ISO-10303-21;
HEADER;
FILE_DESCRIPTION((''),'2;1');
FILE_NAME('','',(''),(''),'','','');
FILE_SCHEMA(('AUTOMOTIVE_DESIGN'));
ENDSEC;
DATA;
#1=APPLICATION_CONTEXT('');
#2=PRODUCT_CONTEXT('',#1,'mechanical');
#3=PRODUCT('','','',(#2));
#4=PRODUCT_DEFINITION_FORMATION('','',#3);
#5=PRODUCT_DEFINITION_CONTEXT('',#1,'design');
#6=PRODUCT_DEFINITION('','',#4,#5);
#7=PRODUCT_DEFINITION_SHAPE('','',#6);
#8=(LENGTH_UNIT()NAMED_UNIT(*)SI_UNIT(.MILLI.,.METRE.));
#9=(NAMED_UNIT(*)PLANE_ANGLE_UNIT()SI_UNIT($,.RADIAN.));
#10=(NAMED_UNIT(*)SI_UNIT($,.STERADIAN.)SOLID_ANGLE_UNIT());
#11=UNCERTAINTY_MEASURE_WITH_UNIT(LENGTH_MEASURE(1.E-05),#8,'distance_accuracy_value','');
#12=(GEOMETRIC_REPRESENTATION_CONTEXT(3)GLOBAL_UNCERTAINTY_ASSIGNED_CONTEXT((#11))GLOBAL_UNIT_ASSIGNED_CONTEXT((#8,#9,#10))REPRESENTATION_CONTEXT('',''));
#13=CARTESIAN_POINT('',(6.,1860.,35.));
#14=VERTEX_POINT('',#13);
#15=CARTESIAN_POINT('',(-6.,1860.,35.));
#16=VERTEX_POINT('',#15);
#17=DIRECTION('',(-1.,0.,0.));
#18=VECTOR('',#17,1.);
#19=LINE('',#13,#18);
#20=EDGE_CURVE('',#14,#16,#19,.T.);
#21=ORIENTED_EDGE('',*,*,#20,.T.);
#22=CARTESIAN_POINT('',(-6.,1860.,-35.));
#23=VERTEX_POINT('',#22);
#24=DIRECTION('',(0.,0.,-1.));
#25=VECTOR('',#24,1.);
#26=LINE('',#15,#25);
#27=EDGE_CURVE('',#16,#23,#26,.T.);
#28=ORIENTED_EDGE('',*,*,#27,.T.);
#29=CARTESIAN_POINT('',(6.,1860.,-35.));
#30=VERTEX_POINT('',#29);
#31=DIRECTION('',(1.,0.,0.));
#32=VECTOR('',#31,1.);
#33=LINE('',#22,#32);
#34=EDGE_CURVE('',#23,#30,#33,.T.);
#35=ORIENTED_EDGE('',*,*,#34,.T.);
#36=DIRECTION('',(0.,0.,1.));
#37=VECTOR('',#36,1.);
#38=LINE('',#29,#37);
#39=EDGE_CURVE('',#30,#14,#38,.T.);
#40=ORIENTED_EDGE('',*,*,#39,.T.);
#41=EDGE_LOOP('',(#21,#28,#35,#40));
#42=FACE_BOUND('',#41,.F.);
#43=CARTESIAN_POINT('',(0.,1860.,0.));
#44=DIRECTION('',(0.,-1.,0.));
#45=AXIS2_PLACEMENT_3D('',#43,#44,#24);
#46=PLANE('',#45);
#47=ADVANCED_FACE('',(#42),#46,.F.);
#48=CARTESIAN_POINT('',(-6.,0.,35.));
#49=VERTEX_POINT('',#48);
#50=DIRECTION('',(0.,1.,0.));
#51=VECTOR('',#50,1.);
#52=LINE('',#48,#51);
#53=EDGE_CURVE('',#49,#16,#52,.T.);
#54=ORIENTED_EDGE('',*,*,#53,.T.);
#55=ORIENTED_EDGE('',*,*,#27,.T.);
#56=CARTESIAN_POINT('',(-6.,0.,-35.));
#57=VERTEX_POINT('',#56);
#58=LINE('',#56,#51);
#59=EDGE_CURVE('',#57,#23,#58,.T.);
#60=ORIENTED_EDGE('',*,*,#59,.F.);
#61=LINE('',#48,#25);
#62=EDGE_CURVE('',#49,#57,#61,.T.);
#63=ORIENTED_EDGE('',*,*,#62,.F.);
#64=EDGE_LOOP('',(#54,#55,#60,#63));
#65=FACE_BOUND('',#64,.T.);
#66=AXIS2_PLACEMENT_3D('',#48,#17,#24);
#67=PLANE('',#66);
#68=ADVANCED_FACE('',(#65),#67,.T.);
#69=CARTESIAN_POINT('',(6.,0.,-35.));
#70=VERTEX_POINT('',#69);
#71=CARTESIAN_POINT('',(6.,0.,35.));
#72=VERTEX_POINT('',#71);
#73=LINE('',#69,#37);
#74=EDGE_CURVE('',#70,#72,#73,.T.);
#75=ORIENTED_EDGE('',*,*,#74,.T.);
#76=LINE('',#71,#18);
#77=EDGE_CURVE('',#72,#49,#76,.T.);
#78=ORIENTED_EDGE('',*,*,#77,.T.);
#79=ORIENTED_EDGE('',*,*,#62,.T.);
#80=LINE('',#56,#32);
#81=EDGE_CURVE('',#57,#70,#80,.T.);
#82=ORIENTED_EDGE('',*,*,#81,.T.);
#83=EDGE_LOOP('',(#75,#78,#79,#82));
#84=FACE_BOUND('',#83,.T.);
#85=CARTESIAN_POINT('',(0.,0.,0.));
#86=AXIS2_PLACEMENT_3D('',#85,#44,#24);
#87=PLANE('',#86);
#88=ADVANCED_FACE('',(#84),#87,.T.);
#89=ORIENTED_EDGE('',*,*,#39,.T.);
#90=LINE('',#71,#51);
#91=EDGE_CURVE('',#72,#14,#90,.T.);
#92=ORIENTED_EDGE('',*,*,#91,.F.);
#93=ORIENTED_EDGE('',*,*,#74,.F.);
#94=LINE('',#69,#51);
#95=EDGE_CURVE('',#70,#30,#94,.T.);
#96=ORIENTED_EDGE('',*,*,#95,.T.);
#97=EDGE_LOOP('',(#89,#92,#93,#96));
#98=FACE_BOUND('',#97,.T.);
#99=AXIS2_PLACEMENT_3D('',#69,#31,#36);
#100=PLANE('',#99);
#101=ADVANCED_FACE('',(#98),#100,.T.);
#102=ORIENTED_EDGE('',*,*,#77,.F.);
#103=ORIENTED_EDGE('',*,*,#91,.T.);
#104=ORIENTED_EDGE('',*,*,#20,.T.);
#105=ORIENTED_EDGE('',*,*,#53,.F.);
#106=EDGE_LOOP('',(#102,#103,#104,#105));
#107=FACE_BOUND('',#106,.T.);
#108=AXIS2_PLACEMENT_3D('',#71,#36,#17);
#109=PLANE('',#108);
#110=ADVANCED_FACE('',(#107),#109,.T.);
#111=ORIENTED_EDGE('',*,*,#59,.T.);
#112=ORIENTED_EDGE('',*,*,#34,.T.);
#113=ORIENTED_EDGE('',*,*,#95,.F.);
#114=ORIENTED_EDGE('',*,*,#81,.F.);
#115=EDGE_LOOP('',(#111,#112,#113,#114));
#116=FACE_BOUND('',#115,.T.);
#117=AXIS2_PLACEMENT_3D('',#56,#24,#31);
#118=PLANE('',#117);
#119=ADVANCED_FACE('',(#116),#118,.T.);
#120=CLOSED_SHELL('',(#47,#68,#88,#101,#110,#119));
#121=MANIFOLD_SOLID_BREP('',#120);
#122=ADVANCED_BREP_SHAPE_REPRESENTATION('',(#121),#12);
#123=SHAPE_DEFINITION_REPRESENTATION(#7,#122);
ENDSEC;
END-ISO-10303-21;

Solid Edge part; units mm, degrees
sketch "Sketch1" plane through (0, 0, 0) normal (0, -1, 0) x (1, 0, 0)
  line L0 (-6, -35) -> (6, -35)
  line L1 (6, -35) -> (6, 35)
  line L2 (6, 35) -> (-6, 35)
  line L3 (-6, 35) -> (-6, -35)
extrude "Protrusion1" add sketch "Sketch1" against normal blind 1860
